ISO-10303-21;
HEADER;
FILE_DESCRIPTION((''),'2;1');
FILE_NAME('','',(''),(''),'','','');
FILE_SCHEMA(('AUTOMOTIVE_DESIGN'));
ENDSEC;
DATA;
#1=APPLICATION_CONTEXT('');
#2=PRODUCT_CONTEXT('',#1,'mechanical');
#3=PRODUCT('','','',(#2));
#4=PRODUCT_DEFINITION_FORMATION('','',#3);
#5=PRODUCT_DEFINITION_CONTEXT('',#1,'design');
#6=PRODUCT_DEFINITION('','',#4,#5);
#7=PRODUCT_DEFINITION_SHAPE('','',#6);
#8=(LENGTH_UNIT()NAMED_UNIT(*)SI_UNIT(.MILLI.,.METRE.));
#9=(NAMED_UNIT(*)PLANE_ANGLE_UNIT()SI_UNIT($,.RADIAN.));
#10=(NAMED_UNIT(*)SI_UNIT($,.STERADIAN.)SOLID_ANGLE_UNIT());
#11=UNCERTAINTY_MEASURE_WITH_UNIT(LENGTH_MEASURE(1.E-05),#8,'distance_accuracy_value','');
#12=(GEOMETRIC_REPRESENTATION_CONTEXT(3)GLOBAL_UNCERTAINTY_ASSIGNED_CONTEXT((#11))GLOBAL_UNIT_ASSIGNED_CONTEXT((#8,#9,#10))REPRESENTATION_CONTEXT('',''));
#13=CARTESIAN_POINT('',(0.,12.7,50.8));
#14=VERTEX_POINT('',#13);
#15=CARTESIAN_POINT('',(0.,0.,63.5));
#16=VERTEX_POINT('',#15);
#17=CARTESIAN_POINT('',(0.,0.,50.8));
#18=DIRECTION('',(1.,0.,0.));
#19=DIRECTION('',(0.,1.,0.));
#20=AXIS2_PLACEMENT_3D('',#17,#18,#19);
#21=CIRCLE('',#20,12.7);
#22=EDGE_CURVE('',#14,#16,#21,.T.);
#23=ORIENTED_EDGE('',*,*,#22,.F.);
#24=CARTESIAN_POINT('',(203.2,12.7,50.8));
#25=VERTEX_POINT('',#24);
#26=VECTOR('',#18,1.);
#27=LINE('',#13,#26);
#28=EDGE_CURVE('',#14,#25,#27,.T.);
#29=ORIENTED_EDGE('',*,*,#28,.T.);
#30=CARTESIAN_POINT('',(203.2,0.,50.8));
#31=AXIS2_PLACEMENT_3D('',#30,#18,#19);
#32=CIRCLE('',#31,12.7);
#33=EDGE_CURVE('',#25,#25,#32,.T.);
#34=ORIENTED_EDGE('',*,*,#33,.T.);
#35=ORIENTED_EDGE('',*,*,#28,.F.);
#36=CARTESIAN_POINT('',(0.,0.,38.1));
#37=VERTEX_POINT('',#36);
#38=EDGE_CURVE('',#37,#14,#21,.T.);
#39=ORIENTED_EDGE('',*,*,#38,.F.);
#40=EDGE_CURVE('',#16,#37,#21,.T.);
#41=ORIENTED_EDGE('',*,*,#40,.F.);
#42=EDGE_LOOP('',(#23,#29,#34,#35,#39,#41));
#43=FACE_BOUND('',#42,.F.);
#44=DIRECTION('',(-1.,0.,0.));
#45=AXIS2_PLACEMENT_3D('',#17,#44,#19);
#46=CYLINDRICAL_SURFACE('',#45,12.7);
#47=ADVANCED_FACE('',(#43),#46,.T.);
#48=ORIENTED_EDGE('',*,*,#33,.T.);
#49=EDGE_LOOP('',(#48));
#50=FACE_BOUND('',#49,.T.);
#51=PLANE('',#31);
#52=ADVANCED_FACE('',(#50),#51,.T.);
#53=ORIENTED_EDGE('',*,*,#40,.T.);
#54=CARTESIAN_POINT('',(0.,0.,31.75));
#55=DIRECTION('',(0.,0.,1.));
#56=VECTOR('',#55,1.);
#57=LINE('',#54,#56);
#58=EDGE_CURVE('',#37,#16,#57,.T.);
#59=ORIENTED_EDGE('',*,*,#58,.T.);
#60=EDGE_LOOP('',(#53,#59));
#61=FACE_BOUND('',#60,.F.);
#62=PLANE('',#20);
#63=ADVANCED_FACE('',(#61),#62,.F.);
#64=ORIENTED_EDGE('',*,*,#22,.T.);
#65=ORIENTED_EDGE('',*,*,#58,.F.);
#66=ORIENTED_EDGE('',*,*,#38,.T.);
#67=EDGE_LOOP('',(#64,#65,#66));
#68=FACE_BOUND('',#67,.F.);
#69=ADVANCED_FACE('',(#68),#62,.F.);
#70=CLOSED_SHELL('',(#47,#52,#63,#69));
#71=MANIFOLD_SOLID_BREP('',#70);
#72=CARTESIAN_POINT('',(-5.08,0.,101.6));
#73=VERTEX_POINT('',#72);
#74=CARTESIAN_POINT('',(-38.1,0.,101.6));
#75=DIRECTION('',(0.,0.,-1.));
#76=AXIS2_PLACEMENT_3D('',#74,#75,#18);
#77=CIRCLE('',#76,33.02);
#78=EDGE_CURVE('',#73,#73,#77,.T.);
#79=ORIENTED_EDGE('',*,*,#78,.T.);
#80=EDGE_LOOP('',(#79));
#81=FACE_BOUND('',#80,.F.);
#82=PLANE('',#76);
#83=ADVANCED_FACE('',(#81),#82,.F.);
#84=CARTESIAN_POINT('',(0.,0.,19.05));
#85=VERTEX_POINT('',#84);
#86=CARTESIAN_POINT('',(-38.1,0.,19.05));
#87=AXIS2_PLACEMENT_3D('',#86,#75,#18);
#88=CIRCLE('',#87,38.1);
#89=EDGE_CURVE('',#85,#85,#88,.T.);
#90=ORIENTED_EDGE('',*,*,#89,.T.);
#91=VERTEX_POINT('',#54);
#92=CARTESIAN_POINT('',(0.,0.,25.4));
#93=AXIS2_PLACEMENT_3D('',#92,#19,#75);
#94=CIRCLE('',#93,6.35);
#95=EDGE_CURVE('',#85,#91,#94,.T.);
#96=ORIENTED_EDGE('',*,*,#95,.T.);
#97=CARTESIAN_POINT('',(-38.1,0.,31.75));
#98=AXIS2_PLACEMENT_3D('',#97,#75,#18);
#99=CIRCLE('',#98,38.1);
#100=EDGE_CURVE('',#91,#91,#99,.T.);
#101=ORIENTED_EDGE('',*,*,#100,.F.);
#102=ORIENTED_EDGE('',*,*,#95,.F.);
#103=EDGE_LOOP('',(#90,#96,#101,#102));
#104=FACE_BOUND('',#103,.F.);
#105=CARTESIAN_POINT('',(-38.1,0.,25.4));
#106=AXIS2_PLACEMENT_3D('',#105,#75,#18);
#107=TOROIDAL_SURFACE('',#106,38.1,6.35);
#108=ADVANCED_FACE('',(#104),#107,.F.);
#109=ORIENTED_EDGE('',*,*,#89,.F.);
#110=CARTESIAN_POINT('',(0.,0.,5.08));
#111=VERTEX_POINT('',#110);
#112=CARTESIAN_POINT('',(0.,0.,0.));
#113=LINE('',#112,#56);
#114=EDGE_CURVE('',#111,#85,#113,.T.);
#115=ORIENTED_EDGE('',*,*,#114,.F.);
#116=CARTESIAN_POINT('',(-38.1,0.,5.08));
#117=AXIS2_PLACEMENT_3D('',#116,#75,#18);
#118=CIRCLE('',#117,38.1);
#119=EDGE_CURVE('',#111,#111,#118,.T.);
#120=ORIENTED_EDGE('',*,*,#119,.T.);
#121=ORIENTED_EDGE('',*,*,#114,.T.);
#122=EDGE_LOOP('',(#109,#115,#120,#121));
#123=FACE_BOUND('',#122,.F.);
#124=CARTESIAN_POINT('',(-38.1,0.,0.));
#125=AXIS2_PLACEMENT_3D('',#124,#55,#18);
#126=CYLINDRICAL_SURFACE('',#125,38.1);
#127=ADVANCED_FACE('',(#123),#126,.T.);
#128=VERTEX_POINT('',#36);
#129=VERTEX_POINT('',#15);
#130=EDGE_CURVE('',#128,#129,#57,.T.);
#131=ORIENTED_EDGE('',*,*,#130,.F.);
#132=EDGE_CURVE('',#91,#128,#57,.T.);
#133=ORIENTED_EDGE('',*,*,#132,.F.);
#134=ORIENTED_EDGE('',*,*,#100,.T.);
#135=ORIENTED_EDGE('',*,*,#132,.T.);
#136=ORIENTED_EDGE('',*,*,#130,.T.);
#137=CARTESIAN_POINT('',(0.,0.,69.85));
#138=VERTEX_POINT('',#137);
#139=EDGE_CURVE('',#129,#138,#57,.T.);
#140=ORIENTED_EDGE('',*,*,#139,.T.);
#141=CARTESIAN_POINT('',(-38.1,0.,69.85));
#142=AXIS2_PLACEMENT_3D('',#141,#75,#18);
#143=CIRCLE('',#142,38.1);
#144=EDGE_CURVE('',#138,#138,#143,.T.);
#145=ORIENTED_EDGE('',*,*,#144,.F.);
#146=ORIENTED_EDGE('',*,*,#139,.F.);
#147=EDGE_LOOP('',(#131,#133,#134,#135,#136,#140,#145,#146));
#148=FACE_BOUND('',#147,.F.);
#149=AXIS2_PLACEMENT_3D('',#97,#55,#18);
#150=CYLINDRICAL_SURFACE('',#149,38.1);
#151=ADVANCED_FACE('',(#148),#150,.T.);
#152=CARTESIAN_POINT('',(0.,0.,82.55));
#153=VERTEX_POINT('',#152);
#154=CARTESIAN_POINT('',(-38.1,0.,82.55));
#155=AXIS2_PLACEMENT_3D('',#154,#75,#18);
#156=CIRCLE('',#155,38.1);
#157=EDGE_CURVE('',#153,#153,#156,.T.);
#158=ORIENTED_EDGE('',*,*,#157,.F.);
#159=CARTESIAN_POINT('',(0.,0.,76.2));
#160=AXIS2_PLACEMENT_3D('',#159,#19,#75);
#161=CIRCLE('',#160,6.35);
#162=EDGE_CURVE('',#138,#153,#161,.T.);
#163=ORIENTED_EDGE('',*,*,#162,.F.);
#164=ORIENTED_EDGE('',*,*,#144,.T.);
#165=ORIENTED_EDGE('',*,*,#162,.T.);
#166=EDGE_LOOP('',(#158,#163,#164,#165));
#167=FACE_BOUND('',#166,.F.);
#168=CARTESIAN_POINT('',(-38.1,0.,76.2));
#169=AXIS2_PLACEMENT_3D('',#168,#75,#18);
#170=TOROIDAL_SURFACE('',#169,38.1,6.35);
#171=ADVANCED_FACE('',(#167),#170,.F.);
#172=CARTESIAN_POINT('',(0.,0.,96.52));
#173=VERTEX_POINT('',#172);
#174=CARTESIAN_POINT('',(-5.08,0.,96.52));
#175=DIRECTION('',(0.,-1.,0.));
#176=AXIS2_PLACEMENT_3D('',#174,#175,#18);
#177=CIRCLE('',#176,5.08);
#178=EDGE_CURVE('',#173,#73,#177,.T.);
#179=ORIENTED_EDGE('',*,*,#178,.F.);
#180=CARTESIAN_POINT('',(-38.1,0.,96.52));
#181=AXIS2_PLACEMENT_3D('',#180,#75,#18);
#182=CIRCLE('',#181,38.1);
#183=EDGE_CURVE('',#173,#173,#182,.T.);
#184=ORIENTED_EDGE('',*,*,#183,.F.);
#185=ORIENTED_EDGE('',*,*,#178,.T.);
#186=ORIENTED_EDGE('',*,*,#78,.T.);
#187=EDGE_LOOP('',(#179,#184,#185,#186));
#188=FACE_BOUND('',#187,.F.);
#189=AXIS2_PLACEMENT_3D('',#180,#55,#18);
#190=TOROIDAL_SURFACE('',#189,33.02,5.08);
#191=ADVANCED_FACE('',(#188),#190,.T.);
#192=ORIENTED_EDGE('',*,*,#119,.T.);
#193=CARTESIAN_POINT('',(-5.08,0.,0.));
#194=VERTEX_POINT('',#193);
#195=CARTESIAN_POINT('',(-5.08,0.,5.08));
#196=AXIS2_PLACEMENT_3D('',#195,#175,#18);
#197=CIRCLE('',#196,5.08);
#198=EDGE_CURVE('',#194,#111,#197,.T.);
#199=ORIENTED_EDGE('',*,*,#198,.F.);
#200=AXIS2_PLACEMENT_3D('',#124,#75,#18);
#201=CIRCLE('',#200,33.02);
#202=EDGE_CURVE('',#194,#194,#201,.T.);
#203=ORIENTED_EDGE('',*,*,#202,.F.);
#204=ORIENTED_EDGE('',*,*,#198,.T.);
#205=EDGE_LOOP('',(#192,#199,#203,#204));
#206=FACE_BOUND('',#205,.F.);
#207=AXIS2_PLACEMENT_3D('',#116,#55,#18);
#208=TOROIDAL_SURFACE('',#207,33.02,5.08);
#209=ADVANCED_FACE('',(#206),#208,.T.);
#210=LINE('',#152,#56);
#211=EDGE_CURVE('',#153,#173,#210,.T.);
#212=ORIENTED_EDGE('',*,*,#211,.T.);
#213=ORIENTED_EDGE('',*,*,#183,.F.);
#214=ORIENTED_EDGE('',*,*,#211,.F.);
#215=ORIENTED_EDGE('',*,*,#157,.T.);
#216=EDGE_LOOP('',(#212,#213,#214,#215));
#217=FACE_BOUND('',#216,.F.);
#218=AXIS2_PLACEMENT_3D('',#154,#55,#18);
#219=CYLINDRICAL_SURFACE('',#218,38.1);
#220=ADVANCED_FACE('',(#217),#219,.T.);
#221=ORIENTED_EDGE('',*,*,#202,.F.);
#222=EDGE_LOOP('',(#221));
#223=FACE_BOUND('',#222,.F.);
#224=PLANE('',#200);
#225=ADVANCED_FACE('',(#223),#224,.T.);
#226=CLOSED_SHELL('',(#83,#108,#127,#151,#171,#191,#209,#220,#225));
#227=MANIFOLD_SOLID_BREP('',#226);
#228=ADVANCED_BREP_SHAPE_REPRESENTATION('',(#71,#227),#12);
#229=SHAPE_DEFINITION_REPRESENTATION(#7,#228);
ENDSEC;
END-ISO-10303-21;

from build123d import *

# Parameters (mm, degrees)
F2_R     = 5.08
F3_R     = 12.7
F4_DEPTH = 203.2


with BuildPart() as f1:
    # F0 (on Front) → F1 (revolve)
    with BuildSketch(Plane.XZ):
        with BuildLine():
            Line((-38.1, 0), (0, 0))
            Line((0, 0), (0, 19.05))
            ThreePointArc((0, 19.05), (-6.35, 25.4), (0, 31.75))
            Line((0, 31.75), (0, 69.85))
            ThreePointArc((0, 69.85), (-6.35, 76.2), (0, 82.55))
            Line((0, 82.55), (0, 101.6))
            Line((0, 101.6), (-38.1, 101.6))
            Line((-38.1, 101.6), (-38.1, 0))
        make_face()
    revolve(axis=Axis((-38.1, 0, 50.8), (0, 0, -1)))

    # F2
    f2_edges = [f1.edges().sort_by_distance(p)[0] for p in [
        (-76.2, 0, 101.6),
        (-76.2, 0, 0),
    ]]
    fillet(f2_edges, radius=F2_R)

    # F3 (on Right) → F4 (join)
    with BuildSketch(Plane.YZ):
        with Locations((0, 50.8)):
            Circle(F3_R)
    extrude(amount=F4_DEPTH)


solid = f1.part
